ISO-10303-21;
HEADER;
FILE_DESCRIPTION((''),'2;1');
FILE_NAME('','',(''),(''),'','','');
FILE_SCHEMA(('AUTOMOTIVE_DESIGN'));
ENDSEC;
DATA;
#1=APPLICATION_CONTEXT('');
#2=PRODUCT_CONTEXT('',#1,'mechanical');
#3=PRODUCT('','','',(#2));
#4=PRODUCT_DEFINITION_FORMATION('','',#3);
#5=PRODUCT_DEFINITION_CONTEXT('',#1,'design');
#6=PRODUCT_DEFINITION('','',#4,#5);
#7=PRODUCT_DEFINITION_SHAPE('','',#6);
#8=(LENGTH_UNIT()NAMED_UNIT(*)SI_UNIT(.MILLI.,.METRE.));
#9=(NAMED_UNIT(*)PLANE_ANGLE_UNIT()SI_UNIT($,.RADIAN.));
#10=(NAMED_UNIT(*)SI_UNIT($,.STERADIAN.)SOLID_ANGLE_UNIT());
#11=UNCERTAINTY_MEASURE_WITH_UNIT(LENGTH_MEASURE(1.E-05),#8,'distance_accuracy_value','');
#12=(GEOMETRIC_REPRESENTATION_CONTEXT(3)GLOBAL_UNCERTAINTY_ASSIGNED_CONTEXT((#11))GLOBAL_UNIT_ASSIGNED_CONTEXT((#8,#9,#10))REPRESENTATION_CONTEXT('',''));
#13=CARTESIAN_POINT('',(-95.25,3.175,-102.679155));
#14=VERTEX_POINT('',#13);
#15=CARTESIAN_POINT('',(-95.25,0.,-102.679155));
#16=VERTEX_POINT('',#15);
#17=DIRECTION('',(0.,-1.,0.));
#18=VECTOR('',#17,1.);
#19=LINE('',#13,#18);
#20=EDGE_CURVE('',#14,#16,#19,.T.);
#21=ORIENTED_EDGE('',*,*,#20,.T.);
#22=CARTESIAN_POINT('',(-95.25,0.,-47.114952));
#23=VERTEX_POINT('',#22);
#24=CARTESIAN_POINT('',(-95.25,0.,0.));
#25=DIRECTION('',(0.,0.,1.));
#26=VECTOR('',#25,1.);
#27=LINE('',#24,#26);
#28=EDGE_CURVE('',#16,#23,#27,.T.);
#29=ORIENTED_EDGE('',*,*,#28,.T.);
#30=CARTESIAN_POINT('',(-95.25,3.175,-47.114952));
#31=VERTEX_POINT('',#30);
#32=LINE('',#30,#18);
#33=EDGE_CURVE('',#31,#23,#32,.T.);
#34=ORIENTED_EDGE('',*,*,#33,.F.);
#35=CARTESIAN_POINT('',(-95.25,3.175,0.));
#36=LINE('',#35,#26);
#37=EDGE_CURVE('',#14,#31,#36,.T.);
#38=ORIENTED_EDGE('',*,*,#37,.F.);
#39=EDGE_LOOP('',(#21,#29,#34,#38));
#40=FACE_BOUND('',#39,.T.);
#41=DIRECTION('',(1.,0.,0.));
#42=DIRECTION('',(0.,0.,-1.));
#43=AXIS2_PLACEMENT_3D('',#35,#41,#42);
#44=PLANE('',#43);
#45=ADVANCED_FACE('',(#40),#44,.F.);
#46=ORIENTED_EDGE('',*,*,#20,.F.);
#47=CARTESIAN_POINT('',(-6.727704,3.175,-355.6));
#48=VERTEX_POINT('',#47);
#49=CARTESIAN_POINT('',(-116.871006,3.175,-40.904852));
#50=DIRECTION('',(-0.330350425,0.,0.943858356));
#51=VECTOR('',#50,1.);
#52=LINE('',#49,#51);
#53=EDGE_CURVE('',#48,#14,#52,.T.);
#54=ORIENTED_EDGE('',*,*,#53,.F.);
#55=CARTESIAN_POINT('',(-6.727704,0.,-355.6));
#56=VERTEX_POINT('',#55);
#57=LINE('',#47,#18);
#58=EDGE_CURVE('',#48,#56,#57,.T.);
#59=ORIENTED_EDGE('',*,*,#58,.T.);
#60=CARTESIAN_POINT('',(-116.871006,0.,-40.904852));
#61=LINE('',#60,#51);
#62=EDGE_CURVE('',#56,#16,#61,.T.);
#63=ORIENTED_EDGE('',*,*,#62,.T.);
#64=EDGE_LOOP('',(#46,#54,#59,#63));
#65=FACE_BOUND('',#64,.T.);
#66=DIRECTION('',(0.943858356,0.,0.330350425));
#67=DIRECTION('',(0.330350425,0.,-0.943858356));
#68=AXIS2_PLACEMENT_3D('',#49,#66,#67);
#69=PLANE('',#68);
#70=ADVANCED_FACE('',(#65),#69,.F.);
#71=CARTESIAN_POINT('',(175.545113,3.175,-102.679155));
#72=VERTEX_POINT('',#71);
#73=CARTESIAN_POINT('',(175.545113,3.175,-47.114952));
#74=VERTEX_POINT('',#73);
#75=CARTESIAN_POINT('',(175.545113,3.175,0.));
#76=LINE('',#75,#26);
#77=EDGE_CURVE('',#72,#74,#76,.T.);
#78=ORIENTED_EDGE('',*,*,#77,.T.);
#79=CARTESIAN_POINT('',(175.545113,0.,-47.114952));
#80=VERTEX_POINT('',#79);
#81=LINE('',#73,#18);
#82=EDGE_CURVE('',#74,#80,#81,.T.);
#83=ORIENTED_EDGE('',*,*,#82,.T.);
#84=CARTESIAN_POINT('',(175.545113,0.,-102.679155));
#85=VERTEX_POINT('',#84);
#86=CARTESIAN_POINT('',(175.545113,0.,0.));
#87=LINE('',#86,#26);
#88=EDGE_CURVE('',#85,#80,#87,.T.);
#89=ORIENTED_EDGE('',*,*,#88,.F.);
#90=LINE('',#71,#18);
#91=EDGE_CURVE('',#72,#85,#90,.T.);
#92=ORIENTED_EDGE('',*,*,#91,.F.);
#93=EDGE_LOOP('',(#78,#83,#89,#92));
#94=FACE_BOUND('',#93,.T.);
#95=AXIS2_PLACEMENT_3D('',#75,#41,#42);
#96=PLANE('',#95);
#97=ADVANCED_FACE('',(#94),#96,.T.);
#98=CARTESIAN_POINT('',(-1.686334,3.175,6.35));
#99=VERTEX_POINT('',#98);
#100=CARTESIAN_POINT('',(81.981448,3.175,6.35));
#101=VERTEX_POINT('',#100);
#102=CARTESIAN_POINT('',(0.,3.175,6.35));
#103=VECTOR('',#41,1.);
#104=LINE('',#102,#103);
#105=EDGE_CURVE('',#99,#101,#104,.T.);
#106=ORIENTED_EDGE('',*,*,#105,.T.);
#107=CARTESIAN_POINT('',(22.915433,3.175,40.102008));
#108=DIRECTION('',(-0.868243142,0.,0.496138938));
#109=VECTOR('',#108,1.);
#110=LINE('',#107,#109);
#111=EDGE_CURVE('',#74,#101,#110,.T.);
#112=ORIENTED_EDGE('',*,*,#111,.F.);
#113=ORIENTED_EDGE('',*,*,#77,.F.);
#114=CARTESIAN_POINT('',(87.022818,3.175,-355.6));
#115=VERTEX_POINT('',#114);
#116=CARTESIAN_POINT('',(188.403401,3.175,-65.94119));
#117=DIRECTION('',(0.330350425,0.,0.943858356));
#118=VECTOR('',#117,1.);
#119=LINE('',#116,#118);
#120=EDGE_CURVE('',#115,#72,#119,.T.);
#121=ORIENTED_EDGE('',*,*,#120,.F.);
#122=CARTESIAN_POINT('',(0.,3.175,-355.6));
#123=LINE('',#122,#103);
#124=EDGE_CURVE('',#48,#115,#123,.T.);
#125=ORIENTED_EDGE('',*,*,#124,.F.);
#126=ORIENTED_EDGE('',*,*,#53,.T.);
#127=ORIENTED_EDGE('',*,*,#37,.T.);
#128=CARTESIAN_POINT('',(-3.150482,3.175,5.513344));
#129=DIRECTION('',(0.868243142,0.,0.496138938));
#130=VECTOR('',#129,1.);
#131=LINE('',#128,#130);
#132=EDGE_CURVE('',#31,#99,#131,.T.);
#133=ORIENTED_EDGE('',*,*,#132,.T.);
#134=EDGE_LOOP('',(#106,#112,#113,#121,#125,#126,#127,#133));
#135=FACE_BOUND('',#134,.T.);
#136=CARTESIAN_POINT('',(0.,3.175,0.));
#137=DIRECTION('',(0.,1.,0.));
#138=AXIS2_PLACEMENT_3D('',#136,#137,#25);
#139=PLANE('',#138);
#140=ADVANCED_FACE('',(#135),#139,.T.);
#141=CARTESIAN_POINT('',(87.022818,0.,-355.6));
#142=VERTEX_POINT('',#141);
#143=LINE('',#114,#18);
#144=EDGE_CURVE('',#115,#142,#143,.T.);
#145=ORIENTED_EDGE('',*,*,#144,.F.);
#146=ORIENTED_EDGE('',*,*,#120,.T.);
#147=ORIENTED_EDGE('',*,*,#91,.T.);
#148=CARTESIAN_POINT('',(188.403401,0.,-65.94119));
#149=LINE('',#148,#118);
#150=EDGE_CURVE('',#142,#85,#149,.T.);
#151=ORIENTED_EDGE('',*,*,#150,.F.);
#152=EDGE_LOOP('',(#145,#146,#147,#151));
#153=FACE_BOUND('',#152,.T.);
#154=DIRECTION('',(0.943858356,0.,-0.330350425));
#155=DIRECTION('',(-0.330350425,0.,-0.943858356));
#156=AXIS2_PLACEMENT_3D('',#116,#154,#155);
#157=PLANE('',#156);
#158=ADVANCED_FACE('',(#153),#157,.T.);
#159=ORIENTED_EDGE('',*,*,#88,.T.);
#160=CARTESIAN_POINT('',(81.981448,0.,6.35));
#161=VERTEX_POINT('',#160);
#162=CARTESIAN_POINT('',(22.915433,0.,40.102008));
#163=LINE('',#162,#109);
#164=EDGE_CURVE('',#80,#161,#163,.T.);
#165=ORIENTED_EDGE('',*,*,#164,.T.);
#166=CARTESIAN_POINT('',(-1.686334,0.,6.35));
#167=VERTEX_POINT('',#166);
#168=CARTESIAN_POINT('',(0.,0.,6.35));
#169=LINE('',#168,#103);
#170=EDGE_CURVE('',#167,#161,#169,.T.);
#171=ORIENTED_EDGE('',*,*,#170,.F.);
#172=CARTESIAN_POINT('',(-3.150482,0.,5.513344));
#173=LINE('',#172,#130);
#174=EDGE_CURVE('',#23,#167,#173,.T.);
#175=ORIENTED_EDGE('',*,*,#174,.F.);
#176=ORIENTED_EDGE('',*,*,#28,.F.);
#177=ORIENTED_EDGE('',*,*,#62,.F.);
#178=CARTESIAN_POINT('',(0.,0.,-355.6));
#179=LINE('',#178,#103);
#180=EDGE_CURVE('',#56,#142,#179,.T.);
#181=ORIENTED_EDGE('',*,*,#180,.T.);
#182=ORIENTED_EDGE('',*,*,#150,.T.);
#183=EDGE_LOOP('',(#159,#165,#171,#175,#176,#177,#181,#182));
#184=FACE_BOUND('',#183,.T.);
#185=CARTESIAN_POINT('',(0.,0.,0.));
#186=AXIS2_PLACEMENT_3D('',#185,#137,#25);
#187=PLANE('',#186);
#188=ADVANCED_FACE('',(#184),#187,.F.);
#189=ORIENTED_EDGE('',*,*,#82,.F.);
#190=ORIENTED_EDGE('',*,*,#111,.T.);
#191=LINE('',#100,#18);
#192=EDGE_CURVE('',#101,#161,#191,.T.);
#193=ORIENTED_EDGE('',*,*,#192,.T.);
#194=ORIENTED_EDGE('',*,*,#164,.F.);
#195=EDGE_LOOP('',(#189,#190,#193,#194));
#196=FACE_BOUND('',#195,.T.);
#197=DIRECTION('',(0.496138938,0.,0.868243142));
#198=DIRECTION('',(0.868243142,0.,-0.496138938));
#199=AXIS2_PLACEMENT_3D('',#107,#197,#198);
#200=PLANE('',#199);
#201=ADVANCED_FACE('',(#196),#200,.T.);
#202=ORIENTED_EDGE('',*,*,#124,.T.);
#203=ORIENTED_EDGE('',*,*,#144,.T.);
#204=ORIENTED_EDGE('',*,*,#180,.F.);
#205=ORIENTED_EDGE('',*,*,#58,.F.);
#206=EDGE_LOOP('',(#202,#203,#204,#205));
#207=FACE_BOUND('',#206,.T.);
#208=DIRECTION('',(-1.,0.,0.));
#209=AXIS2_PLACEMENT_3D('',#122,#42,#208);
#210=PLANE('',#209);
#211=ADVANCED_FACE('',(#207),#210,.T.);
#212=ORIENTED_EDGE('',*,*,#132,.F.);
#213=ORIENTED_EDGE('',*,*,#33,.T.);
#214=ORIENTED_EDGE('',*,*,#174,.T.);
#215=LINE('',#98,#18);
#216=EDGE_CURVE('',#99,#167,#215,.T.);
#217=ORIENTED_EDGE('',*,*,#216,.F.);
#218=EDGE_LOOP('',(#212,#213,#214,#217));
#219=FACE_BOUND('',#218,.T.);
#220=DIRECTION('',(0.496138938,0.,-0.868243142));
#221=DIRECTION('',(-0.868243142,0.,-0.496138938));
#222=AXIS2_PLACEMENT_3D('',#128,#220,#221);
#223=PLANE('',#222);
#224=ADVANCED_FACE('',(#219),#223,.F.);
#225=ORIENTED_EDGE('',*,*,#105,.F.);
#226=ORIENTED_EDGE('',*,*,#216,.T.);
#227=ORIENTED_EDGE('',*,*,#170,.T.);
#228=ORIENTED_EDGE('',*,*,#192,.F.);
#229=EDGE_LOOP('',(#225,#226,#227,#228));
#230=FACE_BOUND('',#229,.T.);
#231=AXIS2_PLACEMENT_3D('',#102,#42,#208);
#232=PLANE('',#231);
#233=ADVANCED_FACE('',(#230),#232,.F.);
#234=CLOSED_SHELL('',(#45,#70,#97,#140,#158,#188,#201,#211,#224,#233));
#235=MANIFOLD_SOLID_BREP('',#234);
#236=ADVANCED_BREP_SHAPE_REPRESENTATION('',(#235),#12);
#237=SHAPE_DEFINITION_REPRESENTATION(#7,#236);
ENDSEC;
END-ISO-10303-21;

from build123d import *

# Parameters (mm, degrees)
BOSS_EXTRUDE1_DEPTH = 3.175


with BuildPart() as part:
    # Sketch1 → Boss-Extrude1 (new body)
    with BuildSketch(Plane(origin=(0, 0, 0), x_dir=(1, 0, 0), z_dir=(0, 1, 0))):
        Polygon((-6.727704382, 355.6), (-95.25, 102.679155377), (-95.25, 47.1149519), (-1.686334175, -6.35), (81.981447588, -6.35), (175.545113412, 47.1149519), (175.545113412, 102.679155377), (87.022817794, 355.6), align=None)
    extrude(amount=BOSS_EXTRUDE1_DEPTH)


solid = part.part
